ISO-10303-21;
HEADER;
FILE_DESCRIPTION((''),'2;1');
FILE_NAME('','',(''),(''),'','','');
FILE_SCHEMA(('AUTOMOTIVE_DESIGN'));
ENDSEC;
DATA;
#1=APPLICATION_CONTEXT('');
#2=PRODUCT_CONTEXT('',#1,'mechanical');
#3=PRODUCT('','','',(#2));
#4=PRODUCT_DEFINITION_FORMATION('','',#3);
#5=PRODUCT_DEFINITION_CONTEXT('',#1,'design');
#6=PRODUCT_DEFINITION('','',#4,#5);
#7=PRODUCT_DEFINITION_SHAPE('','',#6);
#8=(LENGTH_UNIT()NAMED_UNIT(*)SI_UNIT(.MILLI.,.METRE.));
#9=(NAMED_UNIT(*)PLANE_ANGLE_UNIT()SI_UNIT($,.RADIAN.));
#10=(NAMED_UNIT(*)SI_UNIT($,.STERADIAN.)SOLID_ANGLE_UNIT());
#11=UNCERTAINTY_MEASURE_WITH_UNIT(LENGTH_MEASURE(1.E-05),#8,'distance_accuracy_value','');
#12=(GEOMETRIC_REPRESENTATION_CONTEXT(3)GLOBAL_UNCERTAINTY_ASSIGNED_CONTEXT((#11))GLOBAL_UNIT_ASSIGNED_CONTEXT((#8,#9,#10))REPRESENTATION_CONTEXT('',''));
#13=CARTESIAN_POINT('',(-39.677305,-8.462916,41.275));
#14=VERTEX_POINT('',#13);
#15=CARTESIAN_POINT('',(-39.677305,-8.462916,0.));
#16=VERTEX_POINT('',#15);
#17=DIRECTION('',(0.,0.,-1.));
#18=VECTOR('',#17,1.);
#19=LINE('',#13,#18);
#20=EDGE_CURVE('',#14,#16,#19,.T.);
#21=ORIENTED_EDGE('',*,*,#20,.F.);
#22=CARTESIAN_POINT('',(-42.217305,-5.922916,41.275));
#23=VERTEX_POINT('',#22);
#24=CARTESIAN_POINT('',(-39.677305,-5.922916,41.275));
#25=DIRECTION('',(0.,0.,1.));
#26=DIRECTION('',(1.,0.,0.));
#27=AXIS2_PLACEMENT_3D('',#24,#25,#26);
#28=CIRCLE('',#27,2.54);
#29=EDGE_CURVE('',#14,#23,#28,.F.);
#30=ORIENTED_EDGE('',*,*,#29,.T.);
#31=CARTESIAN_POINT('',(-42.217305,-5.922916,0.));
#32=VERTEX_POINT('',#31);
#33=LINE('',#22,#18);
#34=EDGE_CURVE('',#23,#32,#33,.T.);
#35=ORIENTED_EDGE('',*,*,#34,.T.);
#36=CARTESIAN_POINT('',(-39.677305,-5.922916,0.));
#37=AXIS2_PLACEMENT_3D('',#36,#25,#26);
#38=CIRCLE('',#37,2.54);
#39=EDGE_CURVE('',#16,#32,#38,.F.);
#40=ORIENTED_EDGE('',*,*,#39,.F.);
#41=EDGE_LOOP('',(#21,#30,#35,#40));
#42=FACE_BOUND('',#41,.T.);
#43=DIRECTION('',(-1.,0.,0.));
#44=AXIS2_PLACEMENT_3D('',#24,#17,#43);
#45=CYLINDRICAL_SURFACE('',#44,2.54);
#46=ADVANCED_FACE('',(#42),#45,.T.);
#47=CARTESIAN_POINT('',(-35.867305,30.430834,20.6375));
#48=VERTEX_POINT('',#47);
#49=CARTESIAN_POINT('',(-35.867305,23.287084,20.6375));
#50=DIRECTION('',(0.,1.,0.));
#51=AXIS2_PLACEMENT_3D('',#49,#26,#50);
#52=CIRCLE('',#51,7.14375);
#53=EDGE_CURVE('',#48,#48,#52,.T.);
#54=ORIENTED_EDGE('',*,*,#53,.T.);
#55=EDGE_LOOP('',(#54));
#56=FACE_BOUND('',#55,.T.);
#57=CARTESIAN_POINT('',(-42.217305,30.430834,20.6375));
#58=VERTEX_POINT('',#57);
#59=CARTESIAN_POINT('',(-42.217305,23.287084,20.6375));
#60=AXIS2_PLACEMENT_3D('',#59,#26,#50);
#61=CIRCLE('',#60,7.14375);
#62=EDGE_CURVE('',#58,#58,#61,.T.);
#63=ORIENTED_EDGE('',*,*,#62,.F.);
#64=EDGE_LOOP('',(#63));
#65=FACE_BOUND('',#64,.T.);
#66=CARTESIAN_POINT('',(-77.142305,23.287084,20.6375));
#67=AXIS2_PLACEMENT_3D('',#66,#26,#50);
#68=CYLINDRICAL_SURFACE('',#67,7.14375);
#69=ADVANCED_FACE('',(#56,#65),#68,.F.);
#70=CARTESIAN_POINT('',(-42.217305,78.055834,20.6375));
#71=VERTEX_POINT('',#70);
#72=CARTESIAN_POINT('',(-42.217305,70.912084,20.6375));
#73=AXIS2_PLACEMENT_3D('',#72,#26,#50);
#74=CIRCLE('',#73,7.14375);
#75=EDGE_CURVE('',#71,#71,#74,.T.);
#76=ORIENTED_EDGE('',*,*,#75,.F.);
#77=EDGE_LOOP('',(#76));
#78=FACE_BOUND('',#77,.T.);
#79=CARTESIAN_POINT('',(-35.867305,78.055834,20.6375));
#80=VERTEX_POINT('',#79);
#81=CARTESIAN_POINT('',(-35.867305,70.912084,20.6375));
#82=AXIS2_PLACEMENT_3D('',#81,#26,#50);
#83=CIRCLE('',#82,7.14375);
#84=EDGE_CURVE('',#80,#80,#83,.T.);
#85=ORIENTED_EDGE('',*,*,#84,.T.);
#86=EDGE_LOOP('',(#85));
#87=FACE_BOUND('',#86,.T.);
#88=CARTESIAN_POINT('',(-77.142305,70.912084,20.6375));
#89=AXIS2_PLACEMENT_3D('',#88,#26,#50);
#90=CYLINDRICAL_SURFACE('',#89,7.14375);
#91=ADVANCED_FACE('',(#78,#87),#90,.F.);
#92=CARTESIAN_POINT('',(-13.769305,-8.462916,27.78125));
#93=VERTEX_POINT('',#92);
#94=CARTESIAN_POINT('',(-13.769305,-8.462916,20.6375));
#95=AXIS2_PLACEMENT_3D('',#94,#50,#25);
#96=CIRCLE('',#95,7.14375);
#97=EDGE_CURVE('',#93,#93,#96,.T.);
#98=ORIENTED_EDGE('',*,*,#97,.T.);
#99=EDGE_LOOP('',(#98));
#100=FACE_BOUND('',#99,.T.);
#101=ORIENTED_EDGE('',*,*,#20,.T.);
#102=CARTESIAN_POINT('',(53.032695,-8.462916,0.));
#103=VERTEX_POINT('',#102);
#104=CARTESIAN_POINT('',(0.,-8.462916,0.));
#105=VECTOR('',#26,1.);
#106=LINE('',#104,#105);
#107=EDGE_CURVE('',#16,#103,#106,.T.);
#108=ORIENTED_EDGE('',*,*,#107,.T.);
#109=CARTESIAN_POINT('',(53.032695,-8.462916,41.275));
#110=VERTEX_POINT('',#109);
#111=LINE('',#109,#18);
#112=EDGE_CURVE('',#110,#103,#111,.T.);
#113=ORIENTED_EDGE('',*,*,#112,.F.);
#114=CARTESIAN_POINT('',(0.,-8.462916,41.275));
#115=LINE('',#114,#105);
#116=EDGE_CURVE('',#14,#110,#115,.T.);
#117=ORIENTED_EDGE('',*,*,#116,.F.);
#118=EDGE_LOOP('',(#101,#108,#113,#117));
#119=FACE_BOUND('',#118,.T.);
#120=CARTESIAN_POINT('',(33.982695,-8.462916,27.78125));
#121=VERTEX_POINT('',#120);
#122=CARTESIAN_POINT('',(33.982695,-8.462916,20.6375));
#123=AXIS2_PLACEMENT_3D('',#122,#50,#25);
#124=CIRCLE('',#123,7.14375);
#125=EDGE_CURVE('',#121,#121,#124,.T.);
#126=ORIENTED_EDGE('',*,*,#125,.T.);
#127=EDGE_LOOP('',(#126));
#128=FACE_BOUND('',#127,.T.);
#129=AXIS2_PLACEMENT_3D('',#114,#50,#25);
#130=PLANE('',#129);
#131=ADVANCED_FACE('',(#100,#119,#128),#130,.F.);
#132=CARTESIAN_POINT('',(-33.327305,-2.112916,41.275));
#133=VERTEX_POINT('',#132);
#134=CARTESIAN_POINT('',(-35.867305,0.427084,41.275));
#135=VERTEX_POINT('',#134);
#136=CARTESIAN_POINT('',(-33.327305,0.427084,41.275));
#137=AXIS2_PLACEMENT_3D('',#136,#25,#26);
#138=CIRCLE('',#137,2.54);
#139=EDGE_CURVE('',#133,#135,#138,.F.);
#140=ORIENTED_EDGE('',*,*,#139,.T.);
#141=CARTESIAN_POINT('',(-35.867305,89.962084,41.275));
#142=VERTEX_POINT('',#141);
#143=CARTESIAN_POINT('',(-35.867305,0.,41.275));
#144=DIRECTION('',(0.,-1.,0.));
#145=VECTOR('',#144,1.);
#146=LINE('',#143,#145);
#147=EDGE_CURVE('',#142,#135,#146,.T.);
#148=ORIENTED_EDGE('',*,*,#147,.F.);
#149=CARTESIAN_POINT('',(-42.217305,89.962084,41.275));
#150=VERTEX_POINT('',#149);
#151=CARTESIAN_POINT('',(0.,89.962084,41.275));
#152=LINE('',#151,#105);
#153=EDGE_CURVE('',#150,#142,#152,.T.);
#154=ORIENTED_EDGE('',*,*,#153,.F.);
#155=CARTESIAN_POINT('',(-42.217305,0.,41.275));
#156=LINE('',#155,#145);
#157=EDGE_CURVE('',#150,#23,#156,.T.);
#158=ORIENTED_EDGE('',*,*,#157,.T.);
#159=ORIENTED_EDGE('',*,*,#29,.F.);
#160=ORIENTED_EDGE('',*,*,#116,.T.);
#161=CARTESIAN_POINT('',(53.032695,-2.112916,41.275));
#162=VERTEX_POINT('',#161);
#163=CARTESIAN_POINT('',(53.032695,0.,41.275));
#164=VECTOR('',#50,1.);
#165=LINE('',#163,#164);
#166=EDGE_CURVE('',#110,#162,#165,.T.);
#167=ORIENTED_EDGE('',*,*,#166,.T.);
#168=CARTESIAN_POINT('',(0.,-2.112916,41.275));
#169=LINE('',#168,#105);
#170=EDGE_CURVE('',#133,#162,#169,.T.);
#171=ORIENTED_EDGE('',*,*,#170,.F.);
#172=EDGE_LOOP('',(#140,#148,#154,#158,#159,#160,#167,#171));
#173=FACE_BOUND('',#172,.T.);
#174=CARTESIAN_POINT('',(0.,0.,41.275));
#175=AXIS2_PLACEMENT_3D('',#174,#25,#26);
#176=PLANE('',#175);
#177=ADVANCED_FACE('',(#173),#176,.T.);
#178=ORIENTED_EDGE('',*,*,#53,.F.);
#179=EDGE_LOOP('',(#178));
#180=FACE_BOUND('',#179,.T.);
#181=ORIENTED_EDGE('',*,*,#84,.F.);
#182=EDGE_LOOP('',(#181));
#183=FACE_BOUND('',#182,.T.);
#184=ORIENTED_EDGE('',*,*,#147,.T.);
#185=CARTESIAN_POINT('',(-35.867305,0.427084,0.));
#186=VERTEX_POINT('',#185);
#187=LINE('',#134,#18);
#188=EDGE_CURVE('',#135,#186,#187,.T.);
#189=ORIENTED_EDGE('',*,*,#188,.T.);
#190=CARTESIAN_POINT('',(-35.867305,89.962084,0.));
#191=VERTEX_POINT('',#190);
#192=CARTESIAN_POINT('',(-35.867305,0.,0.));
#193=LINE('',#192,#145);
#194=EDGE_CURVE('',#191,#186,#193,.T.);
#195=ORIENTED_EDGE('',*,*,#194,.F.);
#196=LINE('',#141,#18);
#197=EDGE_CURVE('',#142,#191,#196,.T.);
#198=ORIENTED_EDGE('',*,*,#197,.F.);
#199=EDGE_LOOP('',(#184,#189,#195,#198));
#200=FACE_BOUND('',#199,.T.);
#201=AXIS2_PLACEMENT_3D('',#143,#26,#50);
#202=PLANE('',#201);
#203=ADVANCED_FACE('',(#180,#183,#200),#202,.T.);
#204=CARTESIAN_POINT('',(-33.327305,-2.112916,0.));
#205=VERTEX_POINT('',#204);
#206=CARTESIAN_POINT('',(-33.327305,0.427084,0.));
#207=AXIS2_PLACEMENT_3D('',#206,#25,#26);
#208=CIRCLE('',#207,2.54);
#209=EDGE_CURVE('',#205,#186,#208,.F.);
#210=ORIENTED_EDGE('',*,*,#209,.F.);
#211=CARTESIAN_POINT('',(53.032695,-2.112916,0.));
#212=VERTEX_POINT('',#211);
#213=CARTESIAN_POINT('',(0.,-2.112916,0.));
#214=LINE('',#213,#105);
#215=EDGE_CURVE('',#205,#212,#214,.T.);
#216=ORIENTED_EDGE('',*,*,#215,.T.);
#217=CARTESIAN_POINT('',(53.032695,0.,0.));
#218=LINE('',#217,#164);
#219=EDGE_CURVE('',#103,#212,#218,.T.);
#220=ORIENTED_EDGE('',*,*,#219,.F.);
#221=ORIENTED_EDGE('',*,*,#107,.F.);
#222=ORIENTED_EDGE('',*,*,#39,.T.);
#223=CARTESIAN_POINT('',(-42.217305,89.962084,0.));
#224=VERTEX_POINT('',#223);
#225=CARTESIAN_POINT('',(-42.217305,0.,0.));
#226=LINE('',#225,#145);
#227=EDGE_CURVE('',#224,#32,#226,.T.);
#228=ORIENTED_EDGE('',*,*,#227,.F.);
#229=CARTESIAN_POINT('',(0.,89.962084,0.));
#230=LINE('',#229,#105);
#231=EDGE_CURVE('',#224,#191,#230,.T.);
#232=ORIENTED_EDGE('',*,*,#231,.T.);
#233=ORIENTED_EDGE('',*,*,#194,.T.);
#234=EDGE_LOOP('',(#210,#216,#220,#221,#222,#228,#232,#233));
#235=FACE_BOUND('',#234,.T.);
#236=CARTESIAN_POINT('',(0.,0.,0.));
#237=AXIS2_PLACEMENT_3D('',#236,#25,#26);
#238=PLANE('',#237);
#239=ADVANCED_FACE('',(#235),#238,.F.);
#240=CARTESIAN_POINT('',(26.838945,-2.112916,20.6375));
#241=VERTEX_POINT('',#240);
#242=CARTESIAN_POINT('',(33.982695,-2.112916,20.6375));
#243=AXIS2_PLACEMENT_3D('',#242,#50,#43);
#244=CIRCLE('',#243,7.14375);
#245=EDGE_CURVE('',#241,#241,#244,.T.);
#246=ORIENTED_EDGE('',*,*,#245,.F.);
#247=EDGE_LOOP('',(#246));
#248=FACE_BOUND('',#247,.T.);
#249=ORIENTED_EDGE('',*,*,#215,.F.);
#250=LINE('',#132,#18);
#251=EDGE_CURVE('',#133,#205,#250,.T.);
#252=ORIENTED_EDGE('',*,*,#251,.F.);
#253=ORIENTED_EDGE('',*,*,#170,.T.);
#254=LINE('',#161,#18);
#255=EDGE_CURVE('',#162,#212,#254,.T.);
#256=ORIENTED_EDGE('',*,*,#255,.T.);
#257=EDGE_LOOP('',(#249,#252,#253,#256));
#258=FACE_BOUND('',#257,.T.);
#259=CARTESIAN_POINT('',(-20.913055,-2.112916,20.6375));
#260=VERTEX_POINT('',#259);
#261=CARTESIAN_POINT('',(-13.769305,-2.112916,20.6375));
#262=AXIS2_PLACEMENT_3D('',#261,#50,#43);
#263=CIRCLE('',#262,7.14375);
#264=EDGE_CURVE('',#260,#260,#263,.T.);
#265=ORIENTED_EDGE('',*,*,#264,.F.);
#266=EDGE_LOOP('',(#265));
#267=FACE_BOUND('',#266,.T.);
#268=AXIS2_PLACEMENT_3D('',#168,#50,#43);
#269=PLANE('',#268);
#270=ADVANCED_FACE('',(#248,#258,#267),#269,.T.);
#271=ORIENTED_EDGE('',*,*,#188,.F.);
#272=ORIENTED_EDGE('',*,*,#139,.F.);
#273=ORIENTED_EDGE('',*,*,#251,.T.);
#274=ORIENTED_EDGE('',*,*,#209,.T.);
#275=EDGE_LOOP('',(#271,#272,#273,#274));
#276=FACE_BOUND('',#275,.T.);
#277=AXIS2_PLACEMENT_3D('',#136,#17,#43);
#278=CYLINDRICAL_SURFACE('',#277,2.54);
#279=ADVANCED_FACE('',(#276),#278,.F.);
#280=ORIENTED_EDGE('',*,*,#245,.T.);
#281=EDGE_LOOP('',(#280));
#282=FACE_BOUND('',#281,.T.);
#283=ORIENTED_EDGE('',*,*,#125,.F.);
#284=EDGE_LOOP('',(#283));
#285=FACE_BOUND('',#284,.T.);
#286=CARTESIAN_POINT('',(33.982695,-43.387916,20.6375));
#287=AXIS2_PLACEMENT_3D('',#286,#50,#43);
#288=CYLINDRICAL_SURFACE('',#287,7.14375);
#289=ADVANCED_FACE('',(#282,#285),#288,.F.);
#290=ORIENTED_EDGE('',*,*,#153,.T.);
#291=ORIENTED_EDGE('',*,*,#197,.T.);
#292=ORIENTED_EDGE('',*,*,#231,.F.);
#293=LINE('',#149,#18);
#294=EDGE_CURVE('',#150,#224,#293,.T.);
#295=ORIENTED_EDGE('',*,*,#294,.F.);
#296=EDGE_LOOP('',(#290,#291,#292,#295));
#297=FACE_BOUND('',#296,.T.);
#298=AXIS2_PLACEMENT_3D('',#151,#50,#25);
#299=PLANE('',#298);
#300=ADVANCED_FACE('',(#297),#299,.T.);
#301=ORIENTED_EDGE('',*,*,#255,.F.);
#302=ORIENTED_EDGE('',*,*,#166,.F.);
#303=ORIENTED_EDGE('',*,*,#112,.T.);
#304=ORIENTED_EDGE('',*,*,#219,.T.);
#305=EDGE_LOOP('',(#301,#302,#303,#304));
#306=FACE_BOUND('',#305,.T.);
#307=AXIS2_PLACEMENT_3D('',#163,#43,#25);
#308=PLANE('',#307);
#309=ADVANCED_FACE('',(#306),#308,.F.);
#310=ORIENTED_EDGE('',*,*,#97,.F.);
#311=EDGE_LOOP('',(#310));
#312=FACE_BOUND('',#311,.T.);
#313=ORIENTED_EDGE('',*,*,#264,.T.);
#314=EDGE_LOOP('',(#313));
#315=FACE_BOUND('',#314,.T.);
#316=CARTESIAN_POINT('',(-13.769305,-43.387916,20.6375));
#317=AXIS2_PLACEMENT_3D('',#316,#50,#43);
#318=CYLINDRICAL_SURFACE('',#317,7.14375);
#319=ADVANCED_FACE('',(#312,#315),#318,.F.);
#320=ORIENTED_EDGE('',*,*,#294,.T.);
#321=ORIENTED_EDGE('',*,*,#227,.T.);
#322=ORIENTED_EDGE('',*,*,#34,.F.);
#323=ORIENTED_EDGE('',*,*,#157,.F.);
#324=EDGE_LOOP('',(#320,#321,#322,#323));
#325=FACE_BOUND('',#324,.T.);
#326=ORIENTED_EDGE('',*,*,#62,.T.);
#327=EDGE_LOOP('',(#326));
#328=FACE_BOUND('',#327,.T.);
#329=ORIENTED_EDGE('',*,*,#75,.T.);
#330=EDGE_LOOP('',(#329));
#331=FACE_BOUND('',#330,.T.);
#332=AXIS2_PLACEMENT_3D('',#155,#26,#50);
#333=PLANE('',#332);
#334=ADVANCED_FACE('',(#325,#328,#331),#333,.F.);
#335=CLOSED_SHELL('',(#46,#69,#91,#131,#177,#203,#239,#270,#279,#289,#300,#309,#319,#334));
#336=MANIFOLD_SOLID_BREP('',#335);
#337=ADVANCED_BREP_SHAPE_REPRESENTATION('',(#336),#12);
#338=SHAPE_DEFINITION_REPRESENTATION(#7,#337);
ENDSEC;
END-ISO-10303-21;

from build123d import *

# Parameters (mm, degrees)
BOSS_EXTRUDE1_DEPTH = 41.275
SKETCH2_R           = 7.14375
CUT_EXTRUDE1_DEPTH  = 41.275
SKETCH3_R           = 7.14375
CUT_EXTRUDE2_DEPTH  = 41.275


with BuildPart() as part:
    # Sketch1 → Boss-Extrude1 (new body)
    with BuildSketch(Plane.XY):
        with BuildLine():
            Line((-35.867305165, 89.962083988), (-42.217305165, 89.962083988))
            Line((-42.217305165, 89.962083988), (-42.217305165, -2.112916012))
            Line((-42.217305165, -2.112916012), (-42.217305165, -5.922916012))
            ThreePointArc((-42.217305165, -5.922916012), (-41.473356389, -7.718967236), (-39.677305165, -8.462916012))
            Line((-39.677305165, -8.462916012), (-35.867305165, -8.462916012))
            Line((-35.867305165, -8.462916012), (53.032694835, -8.462916012))
            Line((53.032694835, -8.462916012), (53.032694835, -2.112916012))
            Line((53.032694835, -2.112916012), (-33.327305165, -2.112916012))
            ThreePointArc((-33.327305165, -2.112916012), (-35.123356389, -1.368967236), (-35.867305165, 0.427083988))
            Line((-35.867305165, 0.427083988), (-35.867305165, 89.962083988))
        make_face()
    extrude(amount=BOSS_EXTRUDE1_DEPTH)

    # Sketch2 → Cut-Extrude1 (cut)
    with BuildSketch(Plane(origin=(-35.867305165, 0, 0), x_dir=(0, 0, -1), z_dir=(1, 0, 0))):
        with Locations(Location((-20.6375, 70.912083988, 0), (0, 0, 90))):
            Circle(SKETCH2_R)
        with Locations(Location((-20.6375, 23.287083988, 0), (0, 0, 90))):
            Circle(SKETCH2_R)
    extrude(amount=-CUT_EXTRUDE1_DEPTH, mode=Mode.SUBTRACT)

    # Sketch3 → Cut-Extrude2 (cut)
    with BuildSketch(Plane(origin=(0, -2.112916012, 0), x_dir=(1, 0, 0), z_dir=(0, 1, 0))):
        with Locations(Location((-13.769305165, -20.6375, 0), (0, 0, 180))):
            Circle(SKETCH3_R)
        with Locations(Location((33.982694835, -20.6375, 0), (0, 0, 180))):
            Circle(SKETCH3_R)
    extrude(amount=-CUT_EXTRUDE2_DEPTH, mode=Mode.SUBTRACT)


solid = part.part
